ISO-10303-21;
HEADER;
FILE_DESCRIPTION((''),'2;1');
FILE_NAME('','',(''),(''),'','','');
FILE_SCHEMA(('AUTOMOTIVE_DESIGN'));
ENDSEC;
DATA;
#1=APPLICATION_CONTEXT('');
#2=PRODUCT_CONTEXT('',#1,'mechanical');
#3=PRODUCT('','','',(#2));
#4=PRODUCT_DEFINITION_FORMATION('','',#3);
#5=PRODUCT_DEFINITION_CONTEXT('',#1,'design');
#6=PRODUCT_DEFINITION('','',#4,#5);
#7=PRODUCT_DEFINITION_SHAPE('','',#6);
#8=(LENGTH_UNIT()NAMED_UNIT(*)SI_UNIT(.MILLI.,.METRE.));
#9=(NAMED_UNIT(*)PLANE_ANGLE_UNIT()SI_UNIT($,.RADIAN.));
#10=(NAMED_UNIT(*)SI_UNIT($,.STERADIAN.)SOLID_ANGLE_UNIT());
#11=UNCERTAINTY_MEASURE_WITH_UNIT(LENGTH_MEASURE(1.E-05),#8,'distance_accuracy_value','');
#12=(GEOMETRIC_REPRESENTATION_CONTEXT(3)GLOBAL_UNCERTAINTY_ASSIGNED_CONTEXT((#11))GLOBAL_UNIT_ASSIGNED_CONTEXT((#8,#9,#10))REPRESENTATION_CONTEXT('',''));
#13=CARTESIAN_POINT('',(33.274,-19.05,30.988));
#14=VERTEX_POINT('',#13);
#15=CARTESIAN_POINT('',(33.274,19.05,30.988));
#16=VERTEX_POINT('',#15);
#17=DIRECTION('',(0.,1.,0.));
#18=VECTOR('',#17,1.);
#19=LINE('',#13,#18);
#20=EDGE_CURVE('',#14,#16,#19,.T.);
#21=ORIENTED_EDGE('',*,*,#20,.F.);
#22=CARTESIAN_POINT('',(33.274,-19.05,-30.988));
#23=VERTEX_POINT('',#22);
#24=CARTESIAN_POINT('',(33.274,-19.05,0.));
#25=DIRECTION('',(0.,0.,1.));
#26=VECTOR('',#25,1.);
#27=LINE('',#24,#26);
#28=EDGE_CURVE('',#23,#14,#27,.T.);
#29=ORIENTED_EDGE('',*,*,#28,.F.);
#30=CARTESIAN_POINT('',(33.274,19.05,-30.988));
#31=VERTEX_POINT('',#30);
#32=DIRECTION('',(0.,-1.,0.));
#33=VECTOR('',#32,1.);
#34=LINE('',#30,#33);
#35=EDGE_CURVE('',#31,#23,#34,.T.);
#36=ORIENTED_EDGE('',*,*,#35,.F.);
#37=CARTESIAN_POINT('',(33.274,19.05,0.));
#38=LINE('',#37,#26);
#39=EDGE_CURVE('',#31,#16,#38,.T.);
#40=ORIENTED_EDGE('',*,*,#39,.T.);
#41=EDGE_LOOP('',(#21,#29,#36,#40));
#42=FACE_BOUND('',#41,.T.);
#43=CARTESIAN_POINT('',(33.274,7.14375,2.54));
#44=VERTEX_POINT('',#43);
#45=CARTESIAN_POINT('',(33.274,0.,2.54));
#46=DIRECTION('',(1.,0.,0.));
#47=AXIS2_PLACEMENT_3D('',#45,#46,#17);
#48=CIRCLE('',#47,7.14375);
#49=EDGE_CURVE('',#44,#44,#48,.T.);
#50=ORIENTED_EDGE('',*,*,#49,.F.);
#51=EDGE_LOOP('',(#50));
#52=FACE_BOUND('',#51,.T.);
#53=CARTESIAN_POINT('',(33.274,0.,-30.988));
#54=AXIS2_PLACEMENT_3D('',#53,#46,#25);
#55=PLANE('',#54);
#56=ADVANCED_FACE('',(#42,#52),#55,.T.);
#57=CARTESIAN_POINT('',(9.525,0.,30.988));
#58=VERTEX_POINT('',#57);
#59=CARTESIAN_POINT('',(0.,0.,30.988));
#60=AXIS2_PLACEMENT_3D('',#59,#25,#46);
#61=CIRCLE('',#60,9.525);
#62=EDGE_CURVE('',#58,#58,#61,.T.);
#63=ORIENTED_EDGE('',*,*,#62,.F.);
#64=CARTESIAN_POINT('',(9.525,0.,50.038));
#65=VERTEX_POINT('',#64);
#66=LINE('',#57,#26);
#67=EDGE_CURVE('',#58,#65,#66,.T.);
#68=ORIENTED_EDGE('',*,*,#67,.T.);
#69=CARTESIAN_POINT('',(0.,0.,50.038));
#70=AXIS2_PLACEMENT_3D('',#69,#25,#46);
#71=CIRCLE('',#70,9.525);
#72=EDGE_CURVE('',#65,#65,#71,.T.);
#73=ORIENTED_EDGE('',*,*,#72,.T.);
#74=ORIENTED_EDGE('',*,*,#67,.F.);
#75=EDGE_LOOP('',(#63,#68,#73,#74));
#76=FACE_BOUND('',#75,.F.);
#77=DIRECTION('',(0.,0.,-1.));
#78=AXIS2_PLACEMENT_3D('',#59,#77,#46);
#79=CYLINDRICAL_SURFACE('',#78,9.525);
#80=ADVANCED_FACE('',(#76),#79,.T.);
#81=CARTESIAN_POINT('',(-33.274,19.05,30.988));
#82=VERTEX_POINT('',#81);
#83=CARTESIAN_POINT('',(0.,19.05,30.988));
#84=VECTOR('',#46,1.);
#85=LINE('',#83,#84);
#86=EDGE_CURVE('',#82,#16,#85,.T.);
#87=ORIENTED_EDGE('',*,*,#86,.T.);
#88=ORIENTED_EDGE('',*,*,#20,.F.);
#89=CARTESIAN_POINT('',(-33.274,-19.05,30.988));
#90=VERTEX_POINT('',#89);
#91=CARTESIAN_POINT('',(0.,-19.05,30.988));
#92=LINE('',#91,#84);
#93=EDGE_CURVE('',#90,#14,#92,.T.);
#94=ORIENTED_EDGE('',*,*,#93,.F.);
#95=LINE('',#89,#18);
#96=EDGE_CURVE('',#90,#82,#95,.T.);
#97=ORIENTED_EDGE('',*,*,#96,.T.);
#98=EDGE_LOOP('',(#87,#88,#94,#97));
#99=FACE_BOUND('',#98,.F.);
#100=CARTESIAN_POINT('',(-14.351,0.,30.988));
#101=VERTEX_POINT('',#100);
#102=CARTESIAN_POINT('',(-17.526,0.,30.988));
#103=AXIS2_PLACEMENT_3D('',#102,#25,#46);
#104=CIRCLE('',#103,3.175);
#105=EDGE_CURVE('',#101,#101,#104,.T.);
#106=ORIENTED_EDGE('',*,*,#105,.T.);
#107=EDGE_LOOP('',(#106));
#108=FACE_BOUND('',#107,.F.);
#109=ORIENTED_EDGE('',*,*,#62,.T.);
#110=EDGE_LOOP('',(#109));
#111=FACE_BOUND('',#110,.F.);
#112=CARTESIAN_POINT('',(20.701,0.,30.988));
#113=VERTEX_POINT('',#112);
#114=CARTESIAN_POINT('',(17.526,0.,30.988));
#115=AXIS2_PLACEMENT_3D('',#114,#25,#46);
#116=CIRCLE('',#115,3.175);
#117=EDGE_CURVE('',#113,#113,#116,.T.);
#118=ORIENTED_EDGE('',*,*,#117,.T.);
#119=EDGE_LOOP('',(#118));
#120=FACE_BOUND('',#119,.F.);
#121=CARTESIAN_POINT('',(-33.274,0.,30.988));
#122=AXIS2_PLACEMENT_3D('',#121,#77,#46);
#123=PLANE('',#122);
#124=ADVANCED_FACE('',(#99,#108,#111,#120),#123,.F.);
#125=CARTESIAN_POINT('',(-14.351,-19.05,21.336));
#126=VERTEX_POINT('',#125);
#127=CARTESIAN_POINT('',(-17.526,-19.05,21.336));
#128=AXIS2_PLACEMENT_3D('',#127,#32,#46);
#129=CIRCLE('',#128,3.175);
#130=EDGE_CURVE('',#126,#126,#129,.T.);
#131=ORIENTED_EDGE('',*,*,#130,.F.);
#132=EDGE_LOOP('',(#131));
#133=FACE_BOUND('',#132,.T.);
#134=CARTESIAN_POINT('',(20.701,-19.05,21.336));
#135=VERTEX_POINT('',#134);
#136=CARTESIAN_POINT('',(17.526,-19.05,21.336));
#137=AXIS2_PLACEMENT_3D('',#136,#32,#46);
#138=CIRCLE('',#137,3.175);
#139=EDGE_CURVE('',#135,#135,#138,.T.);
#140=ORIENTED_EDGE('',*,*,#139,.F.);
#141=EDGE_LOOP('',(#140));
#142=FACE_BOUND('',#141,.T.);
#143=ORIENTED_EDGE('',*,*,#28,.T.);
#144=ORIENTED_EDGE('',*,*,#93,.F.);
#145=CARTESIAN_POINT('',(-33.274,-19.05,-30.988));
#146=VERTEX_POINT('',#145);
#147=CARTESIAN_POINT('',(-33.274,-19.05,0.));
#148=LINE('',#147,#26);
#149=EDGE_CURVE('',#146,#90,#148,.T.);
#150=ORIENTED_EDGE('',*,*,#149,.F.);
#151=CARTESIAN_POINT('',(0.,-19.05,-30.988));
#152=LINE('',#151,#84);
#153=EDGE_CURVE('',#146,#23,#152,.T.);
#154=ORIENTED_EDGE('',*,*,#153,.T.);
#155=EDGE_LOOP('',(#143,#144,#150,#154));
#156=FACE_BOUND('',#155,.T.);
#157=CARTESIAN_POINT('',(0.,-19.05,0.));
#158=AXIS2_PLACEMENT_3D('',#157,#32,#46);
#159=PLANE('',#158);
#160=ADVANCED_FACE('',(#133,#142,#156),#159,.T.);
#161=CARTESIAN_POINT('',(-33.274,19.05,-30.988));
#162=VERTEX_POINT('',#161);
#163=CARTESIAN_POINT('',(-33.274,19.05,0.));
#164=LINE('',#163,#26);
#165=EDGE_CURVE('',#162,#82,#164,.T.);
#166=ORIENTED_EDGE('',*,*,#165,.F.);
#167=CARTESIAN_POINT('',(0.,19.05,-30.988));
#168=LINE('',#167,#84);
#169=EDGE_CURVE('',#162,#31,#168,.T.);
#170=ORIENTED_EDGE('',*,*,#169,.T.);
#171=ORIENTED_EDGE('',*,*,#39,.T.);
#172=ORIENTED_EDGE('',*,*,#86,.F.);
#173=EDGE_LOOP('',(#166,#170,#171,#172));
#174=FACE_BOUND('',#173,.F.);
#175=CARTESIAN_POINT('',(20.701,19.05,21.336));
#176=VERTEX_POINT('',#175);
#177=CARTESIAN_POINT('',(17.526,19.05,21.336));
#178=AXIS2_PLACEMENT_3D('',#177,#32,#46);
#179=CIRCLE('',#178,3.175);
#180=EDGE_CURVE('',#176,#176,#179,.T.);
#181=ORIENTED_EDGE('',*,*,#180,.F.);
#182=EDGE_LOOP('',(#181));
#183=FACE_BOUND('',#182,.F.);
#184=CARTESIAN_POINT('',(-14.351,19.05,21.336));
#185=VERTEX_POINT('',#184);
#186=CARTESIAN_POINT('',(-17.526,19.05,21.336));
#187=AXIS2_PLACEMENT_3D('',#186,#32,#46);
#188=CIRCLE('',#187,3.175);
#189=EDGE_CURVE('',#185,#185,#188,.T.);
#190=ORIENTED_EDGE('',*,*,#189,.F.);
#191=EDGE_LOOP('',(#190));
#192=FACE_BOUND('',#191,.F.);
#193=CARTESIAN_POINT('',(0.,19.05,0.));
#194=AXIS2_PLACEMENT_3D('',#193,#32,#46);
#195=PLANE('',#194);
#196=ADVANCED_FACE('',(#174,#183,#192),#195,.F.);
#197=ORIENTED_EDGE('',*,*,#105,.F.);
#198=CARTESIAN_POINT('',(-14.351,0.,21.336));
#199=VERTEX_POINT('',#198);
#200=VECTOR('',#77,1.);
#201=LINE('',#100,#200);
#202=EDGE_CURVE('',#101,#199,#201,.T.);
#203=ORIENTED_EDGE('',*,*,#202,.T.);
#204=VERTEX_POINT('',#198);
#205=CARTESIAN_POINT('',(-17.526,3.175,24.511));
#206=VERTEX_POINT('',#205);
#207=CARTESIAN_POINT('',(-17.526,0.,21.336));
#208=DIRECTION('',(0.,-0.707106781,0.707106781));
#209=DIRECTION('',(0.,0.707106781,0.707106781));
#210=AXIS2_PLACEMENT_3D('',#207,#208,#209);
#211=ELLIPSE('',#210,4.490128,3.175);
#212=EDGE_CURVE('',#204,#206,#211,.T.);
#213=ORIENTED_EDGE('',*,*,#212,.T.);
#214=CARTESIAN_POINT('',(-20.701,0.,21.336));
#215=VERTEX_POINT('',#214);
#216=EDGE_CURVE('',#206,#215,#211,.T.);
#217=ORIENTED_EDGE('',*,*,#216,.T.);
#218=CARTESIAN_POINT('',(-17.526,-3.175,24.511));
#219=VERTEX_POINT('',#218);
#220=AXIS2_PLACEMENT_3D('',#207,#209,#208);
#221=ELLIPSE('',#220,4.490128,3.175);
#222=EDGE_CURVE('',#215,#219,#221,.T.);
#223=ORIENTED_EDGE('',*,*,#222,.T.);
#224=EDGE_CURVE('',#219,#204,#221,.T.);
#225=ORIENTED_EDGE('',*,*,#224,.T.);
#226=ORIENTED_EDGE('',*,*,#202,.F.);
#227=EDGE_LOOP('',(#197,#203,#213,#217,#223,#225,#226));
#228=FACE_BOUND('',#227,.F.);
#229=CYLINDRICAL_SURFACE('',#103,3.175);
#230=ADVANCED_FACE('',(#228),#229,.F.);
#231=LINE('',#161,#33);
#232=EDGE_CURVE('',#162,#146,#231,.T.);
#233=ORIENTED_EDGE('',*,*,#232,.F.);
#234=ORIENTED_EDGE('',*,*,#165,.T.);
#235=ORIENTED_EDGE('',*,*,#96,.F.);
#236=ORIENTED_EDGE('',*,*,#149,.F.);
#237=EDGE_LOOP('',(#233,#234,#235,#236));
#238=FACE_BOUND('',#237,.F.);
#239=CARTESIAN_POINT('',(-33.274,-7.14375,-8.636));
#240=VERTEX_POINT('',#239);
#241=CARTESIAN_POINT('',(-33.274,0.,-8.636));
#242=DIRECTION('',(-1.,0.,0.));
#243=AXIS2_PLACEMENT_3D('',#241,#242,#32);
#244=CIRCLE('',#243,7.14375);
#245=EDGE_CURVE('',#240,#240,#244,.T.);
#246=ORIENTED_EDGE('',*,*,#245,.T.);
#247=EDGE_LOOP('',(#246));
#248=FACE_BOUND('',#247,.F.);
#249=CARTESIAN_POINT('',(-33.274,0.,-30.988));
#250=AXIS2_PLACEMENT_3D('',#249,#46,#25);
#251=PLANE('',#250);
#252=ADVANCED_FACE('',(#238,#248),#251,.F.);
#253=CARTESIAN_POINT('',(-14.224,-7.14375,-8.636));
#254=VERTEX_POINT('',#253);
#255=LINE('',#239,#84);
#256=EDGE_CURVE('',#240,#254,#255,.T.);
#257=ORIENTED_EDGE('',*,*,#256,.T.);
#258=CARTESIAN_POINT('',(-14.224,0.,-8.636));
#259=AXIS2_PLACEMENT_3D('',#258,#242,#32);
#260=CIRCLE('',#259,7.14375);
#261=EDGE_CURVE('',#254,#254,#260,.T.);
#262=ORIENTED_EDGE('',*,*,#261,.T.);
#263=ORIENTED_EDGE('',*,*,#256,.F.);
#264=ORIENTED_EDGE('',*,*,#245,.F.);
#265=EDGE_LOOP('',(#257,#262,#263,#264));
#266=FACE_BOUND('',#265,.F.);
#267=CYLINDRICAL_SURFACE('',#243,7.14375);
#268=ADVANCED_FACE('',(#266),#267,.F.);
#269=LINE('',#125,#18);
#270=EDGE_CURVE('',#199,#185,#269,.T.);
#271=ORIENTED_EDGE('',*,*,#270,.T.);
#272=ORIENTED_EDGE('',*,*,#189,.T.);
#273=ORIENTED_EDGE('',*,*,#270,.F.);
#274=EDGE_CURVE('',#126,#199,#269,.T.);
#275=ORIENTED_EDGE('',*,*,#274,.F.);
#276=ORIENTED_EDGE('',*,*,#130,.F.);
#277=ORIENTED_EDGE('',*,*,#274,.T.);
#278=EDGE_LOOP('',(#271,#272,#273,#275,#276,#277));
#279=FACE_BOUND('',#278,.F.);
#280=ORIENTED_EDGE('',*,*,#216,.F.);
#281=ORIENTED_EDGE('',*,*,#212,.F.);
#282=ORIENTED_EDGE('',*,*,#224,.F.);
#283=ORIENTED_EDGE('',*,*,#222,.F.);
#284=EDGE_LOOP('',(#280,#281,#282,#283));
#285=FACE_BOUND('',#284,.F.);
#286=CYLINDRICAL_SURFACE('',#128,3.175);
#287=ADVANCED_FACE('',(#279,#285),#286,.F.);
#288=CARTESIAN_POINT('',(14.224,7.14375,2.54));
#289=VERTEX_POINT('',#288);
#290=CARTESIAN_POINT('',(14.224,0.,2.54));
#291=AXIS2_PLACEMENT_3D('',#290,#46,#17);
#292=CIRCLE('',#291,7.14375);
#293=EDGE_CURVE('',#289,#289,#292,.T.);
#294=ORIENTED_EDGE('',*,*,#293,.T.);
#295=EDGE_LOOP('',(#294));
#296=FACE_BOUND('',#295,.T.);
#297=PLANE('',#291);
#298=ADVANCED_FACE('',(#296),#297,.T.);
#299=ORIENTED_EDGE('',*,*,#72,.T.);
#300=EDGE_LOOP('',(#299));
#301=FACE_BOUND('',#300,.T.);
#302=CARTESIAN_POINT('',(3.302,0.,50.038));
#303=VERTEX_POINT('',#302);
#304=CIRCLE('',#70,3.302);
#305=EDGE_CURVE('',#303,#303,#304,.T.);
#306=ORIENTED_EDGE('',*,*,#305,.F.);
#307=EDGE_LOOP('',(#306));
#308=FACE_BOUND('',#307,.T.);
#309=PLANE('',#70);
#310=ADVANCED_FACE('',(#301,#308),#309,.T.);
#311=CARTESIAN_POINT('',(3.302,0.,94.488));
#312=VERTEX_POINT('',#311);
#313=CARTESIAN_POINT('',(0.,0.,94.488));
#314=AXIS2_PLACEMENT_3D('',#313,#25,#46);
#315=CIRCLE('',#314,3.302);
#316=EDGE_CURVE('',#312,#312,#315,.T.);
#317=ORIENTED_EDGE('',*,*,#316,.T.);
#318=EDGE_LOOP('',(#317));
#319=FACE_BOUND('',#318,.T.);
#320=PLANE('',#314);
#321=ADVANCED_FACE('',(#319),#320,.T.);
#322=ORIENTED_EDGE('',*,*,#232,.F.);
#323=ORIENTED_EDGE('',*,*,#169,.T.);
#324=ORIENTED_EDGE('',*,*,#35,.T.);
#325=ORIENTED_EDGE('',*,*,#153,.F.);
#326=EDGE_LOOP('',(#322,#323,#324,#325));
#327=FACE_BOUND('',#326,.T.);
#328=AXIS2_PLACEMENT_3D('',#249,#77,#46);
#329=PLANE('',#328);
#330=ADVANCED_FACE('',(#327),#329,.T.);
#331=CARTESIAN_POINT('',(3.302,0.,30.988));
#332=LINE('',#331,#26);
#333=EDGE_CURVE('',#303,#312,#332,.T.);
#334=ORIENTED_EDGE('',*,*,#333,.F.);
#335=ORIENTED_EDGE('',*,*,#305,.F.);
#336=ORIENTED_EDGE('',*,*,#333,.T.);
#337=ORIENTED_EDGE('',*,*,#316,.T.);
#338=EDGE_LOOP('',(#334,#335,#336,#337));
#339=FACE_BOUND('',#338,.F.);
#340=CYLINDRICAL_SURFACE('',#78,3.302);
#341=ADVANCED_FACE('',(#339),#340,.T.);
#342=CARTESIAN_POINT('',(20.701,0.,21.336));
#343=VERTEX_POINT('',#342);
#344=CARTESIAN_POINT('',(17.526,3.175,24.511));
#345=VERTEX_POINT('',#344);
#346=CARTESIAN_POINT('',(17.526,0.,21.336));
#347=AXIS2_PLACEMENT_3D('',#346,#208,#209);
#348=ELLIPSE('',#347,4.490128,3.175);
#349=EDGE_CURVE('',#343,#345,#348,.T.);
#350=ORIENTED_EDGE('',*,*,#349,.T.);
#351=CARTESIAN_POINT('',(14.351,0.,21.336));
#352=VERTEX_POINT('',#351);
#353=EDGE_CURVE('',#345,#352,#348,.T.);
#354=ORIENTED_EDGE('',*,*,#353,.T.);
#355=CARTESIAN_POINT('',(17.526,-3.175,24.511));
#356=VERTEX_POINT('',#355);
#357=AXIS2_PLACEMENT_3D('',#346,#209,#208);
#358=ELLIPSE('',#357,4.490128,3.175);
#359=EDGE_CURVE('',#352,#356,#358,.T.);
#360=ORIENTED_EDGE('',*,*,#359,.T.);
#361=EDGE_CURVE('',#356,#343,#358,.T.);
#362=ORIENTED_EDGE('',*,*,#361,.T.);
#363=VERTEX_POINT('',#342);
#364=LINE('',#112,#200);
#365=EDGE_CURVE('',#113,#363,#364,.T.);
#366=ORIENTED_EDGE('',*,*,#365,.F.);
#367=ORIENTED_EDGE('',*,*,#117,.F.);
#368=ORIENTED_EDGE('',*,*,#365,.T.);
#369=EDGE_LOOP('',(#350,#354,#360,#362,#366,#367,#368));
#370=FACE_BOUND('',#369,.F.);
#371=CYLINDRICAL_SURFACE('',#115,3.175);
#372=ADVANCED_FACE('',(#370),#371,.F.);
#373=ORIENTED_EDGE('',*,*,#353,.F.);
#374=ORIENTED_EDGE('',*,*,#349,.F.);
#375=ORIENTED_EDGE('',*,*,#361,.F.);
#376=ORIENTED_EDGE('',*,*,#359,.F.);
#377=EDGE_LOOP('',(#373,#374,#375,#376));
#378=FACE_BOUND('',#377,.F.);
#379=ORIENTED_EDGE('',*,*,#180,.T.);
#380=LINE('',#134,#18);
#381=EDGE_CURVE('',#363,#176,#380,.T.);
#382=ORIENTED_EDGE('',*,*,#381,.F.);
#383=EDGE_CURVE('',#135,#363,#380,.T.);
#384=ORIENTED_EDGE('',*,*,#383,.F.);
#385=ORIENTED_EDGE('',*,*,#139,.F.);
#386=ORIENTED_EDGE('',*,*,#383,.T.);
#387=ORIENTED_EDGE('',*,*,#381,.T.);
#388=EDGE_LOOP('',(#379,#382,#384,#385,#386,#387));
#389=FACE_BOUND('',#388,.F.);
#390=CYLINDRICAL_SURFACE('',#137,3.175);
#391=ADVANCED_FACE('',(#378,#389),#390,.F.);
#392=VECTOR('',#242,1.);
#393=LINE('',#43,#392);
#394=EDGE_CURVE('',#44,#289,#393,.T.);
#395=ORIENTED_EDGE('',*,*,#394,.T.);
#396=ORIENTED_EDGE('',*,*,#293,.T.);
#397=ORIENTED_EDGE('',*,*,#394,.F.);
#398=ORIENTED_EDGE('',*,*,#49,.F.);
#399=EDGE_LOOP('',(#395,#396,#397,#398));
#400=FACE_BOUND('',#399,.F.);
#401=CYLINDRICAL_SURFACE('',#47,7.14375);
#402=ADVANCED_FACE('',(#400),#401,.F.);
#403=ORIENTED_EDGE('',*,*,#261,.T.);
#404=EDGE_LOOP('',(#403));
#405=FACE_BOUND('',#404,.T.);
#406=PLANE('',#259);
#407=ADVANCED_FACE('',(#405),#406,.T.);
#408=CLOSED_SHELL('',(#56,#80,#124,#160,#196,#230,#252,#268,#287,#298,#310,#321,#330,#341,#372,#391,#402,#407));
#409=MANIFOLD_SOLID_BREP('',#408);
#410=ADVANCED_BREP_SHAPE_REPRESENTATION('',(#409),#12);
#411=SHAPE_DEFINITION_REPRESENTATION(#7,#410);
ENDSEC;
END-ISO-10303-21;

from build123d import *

# Parameters (mm, degrees)
F0_W      = 66.548
F0_H      = 61.976
F1_DEPTH  = 19.05
F2_R      = 9.525
F2_R_2    = 3.302
F3_DEPTH  = 19.05
F3_FACE_R = 3.302
F4_DEPTH  = 63.5
F2_R_3    = 3.175
F5_DEPTH  = 9.652
F6_R      = 3.175
F7_DEPTH  = 38.101
F8_R      = 7.14375
F9_DEPTH  = 19.05
F10_R     = 7.14375
F11_DEPTH = 19.05


with BuildPart() as f1:
    # F0 (on Front) → F1 (new body, symmetric)
    with BuildSketch(Plane.XZ):
        Rectangle(F0_W, F0_H)
    extrude(amount=F1_DEPTH, both=True)

    # F2 (on face) → F3 (join)
    with BuildSketch(Plane.XY.offset(30.988)):
        Circle(F2_R)
        Circle(F2_R_2, mode=Mode.SUBTRACT)
    extrude(amount=F3_DEPTH)

    # F3_face (on face) → F4 (join)
    with BuildSketch(Plane.XY.offset(30.988)):
        Circle(F3_FACE_R)
    extrude(amount=F4_DEPTH)

    # F2 (on face) → F5 (cut)
    with BuildSketch(Plane.XY.offset(30.988)):
        with Locations((-17.526, 0)):
            Circle(F2_R_3)
        with Locations((17.526, 0)):
            Circle(F2_R_3)
    extrude(amount=-F5_DEPTH, mode=Mode.SUBTRACT)

    # F6 (on face) → F7 (cut, through all)
    with BuildSketch(Plane.XZ.offset(19.05)):
        with Locations((-17.526, 21.336)):
            Circle(F6_R)
        with Locations((17.526, 21.336)):
            Circle(F6_R)
    extrude(amount=-F7_DEPTH, mode=Mode.SUBTRACT)

    # F8 (on face) → F9 (cut)
    with BuildSketch(Plane.YZ.offset(33.274)):
        with Locations((0, 2.54)):
            Circle(F8_R)
    extrude(amount=-F9_DEPTH, mode=Mode.SUBTRACT)

    # F10 (on face) → F11 (cut)
    with BuildSketch(Plane(origin=(-33.274, 0, 0), x_dir=(0, -1, 0), z_dir=(-1, 0, 0))):
        with Locations((0, -8.636)):
            Circle(F10_R)
    extrude(amount=-F11_DEPTH, mode=Mode.SUBTRACT)


solid = f1.part
